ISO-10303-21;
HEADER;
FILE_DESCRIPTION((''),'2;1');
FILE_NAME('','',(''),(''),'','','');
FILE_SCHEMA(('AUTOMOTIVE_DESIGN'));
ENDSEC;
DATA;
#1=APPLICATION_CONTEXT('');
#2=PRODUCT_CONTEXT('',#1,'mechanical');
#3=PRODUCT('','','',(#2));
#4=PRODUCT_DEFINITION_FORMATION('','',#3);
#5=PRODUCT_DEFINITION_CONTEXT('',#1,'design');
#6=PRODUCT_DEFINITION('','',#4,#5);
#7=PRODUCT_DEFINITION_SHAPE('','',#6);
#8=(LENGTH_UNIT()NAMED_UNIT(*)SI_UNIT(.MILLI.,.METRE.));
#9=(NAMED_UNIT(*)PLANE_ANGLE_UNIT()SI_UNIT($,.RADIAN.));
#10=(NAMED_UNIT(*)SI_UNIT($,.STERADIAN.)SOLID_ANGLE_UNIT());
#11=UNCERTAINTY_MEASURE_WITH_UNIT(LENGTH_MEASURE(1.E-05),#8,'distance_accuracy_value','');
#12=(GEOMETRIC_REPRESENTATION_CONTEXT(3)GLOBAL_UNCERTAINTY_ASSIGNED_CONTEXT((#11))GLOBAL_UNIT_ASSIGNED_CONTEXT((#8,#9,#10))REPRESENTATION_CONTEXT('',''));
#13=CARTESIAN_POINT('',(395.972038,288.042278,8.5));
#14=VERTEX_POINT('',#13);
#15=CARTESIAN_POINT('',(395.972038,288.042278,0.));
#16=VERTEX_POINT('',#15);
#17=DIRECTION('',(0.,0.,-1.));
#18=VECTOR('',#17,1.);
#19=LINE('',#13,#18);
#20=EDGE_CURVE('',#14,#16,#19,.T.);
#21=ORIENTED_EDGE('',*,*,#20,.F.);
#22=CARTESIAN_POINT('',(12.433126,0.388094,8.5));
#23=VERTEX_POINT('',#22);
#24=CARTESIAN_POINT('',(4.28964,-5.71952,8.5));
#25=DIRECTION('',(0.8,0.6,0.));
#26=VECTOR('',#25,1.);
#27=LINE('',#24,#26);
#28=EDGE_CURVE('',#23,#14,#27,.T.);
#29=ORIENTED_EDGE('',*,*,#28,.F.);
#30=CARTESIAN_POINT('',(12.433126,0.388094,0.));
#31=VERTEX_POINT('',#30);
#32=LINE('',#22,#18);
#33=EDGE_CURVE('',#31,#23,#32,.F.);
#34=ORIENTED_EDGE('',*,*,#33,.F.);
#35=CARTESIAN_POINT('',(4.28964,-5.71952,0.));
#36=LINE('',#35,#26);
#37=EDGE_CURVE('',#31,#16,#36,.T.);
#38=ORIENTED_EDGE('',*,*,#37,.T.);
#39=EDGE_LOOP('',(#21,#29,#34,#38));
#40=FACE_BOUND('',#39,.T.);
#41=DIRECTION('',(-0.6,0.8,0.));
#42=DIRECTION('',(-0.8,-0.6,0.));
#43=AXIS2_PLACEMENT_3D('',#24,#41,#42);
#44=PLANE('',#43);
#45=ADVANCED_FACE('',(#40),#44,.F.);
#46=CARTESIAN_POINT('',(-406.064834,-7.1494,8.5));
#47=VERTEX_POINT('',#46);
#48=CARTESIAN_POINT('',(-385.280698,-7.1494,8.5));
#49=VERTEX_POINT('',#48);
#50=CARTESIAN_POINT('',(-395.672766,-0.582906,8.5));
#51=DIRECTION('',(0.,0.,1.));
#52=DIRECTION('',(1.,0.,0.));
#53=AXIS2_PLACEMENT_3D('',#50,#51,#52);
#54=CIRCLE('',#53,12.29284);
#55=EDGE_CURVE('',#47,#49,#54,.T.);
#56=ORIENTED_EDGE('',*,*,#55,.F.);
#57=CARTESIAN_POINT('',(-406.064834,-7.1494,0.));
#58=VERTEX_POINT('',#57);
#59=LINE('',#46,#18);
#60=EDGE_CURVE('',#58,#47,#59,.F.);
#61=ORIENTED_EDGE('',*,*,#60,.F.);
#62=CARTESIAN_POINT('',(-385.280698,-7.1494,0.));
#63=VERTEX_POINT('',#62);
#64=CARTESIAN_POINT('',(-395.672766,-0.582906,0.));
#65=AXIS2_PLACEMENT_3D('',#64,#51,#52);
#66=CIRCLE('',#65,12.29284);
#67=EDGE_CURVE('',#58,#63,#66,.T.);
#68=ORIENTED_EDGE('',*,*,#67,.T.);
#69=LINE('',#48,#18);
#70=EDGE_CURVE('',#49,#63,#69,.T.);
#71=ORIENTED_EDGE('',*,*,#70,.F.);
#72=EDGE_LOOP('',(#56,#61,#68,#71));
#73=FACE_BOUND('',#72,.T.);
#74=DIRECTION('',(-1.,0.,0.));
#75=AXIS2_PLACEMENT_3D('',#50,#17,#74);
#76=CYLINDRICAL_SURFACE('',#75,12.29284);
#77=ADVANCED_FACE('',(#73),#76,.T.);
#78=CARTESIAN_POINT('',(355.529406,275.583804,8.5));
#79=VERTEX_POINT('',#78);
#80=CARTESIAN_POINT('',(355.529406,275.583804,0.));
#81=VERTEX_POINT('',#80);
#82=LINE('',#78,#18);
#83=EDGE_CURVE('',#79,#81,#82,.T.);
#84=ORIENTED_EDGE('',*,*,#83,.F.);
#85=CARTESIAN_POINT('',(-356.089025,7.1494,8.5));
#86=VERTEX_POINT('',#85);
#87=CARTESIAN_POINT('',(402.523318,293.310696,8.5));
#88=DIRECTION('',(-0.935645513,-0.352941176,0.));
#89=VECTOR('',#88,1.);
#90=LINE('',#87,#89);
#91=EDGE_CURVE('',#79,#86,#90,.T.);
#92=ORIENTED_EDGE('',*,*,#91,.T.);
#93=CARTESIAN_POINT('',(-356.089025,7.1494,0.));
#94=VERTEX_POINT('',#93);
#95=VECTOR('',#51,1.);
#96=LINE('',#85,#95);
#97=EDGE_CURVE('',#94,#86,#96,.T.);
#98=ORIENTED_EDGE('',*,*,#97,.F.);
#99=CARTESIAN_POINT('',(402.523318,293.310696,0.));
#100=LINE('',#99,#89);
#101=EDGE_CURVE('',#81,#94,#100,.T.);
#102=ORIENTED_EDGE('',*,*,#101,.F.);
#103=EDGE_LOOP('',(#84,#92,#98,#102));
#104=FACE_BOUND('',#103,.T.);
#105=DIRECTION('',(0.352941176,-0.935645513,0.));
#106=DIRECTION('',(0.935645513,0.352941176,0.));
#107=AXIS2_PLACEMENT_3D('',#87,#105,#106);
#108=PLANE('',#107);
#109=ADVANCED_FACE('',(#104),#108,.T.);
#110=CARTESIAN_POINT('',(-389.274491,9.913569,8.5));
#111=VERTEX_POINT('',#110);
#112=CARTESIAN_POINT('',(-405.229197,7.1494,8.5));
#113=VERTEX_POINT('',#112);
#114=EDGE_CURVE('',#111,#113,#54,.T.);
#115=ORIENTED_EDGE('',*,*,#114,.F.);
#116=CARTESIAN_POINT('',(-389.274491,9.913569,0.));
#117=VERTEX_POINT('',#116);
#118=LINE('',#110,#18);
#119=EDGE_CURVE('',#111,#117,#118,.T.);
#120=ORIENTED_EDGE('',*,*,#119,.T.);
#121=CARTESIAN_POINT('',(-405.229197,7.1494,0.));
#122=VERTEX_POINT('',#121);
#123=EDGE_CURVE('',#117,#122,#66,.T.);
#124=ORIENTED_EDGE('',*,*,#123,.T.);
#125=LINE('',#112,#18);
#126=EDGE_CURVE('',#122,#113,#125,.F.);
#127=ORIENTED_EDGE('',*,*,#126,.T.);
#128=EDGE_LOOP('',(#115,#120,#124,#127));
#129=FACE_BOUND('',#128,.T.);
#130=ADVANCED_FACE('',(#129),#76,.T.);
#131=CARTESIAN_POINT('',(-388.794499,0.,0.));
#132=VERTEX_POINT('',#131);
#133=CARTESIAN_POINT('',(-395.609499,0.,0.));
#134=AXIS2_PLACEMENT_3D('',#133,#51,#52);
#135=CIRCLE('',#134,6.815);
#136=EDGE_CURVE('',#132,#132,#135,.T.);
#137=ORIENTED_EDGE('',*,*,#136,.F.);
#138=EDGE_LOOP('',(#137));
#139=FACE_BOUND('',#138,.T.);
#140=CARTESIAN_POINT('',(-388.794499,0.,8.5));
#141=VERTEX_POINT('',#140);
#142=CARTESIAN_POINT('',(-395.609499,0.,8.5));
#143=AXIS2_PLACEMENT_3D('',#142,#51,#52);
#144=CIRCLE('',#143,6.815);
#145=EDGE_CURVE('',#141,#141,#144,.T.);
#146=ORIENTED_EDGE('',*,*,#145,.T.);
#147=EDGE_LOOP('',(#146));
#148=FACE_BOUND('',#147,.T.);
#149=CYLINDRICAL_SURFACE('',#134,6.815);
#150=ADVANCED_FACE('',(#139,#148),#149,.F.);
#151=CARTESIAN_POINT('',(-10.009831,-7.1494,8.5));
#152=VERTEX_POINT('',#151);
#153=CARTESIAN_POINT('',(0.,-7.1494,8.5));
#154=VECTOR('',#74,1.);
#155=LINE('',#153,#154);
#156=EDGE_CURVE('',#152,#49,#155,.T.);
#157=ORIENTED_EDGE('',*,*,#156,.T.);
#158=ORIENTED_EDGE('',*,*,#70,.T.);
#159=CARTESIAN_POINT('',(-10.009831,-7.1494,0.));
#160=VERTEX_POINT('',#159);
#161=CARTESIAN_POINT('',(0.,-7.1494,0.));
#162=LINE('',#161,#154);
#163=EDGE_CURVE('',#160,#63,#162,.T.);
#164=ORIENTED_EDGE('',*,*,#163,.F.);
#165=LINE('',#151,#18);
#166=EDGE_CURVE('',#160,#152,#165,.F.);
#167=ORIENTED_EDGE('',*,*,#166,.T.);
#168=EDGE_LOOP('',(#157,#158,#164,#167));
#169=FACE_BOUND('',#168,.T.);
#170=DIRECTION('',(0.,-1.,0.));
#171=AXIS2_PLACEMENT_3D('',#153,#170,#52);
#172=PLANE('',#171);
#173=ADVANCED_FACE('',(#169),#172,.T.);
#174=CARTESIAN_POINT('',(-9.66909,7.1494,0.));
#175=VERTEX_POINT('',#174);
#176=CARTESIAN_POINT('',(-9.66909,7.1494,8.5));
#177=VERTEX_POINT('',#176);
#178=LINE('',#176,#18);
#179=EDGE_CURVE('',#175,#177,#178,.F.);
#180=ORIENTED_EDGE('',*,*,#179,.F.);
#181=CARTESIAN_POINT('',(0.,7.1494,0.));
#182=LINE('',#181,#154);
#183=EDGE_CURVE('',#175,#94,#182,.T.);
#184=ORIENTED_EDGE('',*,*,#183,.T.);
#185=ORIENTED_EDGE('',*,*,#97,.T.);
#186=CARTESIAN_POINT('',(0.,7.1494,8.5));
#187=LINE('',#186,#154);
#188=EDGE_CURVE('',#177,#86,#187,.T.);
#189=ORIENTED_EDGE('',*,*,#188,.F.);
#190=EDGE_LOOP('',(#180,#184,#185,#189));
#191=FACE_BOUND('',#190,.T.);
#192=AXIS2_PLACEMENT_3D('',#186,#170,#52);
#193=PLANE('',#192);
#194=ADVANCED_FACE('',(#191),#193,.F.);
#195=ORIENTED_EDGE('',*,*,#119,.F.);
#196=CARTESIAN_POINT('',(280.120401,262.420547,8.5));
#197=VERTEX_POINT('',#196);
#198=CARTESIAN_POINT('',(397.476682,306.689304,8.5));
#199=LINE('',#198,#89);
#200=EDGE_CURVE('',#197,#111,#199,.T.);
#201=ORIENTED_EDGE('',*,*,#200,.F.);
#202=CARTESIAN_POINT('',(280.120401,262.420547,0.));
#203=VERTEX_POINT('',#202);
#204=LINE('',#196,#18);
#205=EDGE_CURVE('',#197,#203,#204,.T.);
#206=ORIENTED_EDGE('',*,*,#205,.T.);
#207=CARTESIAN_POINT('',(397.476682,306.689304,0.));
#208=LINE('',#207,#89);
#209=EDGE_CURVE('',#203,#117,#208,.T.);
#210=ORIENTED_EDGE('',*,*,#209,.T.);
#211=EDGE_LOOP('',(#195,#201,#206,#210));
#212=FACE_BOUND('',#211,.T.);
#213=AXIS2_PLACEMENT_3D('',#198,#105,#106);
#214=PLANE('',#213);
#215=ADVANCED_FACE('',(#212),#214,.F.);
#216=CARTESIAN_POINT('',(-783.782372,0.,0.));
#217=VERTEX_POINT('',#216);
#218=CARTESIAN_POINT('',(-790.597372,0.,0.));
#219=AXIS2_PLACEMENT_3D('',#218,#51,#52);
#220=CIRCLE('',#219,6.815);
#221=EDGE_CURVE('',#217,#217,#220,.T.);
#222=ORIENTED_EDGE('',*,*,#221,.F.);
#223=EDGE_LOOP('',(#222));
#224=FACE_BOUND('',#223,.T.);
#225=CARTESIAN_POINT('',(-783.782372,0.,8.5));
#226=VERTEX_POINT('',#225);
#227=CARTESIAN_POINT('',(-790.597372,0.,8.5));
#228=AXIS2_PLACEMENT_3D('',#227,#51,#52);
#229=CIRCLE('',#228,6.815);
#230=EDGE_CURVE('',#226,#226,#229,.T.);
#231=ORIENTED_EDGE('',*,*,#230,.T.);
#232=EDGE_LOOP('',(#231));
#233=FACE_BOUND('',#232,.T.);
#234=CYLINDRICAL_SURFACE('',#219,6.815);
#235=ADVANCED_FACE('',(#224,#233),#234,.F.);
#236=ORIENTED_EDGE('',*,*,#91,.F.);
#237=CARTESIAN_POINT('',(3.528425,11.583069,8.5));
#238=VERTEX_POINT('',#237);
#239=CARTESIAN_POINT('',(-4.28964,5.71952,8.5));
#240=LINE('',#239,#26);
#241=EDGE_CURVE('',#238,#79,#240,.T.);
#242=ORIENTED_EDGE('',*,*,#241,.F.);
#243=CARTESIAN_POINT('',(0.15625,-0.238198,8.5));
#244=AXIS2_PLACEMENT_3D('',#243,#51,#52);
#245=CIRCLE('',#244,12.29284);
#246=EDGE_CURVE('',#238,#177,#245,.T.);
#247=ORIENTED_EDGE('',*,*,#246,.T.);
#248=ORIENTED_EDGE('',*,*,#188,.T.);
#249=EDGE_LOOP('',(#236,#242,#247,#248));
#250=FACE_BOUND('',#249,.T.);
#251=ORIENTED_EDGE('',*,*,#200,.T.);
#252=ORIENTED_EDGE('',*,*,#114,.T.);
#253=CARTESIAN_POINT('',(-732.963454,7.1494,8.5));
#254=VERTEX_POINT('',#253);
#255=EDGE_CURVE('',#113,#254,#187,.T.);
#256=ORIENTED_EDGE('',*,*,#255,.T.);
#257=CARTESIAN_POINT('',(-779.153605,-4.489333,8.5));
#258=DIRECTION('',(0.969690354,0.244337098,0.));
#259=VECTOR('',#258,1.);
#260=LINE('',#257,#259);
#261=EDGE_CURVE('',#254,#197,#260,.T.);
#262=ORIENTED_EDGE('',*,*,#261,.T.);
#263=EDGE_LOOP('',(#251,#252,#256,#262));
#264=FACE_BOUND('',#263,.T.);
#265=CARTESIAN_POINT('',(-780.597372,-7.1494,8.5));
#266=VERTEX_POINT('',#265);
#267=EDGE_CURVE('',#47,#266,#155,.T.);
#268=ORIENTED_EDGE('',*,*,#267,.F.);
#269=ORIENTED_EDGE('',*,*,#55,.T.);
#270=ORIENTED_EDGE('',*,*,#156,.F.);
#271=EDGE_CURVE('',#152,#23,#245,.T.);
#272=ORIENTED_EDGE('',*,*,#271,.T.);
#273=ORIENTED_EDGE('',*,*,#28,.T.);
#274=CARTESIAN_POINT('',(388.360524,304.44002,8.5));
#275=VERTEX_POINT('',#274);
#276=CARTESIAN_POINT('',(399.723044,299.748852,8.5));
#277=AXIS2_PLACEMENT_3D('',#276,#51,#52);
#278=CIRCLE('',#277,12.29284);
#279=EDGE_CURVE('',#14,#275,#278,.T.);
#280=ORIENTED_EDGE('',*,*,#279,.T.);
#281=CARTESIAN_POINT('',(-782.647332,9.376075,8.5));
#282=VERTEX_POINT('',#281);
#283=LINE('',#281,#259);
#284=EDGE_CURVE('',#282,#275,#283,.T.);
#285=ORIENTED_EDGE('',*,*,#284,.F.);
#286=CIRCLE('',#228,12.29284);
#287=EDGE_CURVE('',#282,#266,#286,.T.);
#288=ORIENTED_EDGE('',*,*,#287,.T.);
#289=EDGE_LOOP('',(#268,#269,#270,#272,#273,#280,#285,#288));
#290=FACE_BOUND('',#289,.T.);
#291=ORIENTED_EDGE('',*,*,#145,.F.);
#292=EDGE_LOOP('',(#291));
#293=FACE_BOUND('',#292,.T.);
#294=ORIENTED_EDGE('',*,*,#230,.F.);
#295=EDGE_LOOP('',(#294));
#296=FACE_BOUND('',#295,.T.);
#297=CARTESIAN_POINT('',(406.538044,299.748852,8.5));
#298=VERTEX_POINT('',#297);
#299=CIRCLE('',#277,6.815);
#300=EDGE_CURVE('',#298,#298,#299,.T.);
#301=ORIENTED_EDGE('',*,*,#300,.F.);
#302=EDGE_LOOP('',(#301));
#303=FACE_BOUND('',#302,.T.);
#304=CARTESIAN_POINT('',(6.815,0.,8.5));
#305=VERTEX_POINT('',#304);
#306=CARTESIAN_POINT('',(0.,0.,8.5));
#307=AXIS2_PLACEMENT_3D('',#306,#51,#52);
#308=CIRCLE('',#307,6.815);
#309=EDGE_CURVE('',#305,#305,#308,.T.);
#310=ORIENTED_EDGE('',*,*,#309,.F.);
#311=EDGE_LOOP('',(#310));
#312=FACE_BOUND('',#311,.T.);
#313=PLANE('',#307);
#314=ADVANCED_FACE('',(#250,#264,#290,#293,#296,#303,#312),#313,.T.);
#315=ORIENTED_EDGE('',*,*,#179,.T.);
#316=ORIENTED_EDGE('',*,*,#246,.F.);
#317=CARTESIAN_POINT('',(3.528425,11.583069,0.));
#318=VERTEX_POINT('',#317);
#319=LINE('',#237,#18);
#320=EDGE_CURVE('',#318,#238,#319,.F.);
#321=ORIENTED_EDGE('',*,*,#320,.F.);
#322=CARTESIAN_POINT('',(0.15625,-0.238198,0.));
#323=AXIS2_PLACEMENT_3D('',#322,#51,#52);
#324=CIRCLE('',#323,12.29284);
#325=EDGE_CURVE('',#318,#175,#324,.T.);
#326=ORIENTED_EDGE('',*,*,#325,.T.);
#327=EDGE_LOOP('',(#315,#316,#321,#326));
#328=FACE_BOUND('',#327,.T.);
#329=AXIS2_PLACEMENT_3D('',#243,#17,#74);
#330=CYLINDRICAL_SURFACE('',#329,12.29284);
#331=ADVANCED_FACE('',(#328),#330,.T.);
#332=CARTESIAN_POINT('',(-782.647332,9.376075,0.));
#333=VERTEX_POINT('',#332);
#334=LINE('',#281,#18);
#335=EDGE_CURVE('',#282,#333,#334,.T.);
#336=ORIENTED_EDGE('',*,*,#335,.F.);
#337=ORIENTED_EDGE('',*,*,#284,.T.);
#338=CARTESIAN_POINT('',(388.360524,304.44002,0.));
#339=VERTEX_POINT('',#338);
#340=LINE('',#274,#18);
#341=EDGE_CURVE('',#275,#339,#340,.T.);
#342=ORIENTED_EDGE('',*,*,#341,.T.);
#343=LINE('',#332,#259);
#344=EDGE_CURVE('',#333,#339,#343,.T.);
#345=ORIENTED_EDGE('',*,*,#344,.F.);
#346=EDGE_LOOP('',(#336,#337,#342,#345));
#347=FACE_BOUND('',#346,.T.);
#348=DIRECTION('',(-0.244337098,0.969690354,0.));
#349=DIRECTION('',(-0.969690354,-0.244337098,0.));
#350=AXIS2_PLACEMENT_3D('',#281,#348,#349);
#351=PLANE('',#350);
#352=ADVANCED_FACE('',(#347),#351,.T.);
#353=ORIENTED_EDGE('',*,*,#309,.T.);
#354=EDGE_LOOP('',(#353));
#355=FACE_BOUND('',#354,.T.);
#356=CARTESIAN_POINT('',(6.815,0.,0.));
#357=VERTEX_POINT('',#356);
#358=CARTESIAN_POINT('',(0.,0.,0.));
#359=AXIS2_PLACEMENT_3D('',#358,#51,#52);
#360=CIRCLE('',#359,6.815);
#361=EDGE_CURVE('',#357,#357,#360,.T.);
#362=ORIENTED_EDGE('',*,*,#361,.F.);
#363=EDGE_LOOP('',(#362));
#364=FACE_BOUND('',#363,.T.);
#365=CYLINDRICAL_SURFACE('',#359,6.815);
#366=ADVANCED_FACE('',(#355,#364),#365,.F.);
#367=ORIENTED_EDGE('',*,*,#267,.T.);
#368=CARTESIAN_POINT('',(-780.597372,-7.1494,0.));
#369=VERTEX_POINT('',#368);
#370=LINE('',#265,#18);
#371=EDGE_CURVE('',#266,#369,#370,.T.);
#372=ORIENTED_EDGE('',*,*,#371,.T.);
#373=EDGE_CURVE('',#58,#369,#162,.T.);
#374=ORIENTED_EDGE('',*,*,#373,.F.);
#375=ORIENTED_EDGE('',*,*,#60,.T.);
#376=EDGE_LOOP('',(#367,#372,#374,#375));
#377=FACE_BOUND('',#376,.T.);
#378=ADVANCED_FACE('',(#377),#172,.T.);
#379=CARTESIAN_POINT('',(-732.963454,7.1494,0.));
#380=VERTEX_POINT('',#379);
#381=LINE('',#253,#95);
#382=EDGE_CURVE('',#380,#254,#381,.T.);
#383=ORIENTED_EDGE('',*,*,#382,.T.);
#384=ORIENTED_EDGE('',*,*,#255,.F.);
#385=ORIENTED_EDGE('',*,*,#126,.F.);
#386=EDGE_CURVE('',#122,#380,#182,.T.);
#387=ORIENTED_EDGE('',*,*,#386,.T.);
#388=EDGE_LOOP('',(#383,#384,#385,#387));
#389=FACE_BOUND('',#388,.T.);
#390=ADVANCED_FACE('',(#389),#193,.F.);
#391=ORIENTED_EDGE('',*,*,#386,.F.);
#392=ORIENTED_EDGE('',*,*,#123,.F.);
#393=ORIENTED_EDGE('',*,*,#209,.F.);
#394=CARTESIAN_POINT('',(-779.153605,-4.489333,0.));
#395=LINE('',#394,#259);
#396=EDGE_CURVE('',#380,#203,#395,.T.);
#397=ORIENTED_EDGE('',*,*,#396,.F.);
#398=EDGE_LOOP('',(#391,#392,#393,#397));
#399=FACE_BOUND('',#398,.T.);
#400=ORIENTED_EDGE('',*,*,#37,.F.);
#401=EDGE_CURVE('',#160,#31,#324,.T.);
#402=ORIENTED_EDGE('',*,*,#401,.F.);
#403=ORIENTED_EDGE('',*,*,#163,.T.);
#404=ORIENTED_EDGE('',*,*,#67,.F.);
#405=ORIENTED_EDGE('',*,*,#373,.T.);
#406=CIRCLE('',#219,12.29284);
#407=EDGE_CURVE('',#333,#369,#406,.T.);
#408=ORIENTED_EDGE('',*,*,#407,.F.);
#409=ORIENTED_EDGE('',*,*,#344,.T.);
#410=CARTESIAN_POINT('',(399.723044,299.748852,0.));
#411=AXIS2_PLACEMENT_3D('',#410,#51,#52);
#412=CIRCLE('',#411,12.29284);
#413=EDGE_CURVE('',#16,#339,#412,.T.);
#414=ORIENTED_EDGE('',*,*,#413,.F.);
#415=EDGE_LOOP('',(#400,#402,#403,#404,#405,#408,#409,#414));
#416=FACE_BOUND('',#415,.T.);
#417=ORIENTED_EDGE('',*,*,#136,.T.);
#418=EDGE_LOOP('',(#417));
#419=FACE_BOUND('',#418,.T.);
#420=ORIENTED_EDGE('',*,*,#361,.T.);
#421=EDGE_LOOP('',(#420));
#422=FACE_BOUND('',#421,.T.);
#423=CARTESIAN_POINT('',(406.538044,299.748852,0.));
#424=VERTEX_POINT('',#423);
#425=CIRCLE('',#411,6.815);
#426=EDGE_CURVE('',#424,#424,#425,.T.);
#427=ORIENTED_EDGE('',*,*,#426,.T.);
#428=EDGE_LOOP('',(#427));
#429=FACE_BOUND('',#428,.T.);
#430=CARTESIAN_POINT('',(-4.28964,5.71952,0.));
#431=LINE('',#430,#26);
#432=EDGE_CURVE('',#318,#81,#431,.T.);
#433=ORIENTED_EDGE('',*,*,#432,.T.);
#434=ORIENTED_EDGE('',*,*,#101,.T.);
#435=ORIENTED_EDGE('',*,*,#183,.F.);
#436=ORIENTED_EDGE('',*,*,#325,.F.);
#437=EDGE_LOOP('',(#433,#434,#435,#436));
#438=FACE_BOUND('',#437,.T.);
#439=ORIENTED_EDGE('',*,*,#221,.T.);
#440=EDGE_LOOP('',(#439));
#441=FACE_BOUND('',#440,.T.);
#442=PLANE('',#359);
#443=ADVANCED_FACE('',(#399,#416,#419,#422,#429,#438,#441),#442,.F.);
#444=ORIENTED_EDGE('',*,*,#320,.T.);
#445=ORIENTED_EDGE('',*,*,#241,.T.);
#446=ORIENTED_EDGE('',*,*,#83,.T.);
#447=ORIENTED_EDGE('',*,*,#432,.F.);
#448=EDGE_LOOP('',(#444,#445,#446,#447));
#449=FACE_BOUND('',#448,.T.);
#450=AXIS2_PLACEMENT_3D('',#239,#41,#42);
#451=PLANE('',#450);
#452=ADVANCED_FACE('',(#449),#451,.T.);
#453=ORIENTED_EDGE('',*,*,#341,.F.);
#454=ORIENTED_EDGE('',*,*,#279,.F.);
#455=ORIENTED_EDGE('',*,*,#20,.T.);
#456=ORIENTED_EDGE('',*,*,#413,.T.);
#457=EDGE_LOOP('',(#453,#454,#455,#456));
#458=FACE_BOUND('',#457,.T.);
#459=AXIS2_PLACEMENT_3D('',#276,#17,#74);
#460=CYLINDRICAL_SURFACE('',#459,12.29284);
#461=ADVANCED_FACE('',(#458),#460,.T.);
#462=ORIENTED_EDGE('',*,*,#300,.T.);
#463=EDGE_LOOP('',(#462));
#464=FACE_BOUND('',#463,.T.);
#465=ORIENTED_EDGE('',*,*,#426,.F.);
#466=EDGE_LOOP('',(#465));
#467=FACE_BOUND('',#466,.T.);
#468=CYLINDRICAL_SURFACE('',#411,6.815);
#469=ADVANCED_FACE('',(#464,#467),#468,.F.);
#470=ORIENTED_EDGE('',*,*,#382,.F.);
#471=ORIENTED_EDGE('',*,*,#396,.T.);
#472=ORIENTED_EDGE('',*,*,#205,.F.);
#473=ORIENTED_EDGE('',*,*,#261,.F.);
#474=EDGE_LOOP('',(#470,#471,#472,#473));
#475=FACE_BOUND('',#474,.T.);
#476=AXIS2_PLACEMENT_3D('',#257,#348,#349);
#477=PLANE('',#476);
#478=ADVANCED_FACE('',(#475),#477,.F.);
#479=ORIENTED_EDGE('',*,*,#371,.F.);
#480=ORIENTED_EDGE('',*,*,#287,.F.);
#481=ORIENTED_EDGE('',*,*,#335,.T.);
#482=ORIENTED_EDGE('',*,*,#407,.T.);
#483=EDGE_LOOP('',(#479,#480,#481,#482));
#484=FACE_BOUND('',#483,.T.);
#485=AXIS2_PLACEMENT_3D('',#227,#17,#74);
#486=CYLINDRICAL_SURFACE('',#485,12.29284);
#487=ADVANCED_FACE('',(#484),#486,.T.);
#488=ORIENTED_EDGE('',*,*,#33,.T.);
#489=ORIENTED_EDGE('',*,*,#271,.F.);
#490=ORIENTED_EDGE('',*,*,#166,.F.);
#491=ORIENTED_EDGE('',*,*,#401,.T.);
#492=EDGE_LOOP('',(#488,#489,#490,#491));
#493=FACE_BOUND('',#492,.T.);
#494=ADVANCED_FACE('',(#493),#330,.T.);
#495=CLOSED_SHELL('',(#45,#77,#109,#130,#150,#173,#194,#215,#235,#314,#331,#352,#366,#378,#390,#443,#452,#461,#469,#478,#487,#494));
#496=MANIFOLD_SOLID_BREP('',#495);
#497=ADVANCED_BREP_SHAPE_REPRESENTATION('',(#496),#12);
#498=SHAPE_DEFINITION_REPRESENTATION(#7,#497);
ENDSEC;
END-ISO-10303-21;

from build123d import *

# Parameters (mm, degrees)
BOSS_EXTRUDE3_DEPTH = 8.5
SKETCH2_R           = 6.815
CUT_EXTRUDE1_DEPTH  = 862.437728783


with BuildPart() as part:
    # Sketch1 → Boss-Extrude3 (new body)
    with BuildSketch(Plane.XY):
        with BuildLine():
            ThreePointArc((395.972037607, 288.042278205), (410.873208436, 304.924541602), (388.360524278, 304.440019711))
            Line((388.360524278, 304.440019711), (-782.647332163, 9.376075193))
            ThreePointArc((-782.647332163, 9.376075193), (-802.796708748, -1.513309192), (-780.597372059, -7.1494))
            Line((-780.597372059, -7.1494), (-406.064833976, -7.1494))
            ThreePointArc((-406.064833976, -7.1494), (-395.672766052, -12.875746118), (-385.280698128, -7.1494))
            Line((-385.280698128, -7.1494), (-10.009831376, -7.1494))
            ThreePointArc((-10.009831376, -7.1494), (4.069984623, -11.891378206), (12.43312578, 0.388094335))
            Line((12.43312578, 0.388094335), (395.972037607, 288.042278205))
        make_face()
        with BuildLine():
            Line((-732.963454166, 7.1494), (280.120400531, 262.420546688))
            Line((280.120400531, 262.420546688), (-389.274490601, 9.913569288))
            ThreePointArc((-389.274490601, 9.913569288), (-397.771252158, 11.52949585), (-405.229196644, 7.1494))
            Line((-405.229196644, 7.1494), (-732.963454166, 7.1494))
        make_face(mode=Mode.SUBTRACT)
        with BuildLine():
            Line((355.529405997, 275.583804497), (3.528425073, 11.583068805))
            ThreePointArc((3.528425073, 11.583068805), (-3.75849008, 11.414643851), (-9.669090245, 7.1494))
            Line((-9.669090245, 7.1494), (-356.08902461, 7.1494))
            Line((-356.08902461, 7.1494), (355.529405997, 275.583804497))
        make_face(mode=Mode.SUBTRACT)
    extrude(amount=BOSS_EXTRUDE3_DEPTH)

    # Sketch2 → Cut-Extrude1 (cut, through all)
    with BuildSketch(Plane.XY.offset(8.5)):
        Circle(SKETCH2_R)
        with Locations((399.723044466, 299.74885191)):
            Circle(SKETCH2_R)
        with Locations((-395.609498981, 0)):
            Circle(SKETCH2_R)
        with Locations((-790.597372059, 0)):
            Circle(SKETCH2_R)
    extrude(amount=-CUT_EXTRUDE1_DEPTH, mode=Mode.SUBTRACT)


solid = part.part
